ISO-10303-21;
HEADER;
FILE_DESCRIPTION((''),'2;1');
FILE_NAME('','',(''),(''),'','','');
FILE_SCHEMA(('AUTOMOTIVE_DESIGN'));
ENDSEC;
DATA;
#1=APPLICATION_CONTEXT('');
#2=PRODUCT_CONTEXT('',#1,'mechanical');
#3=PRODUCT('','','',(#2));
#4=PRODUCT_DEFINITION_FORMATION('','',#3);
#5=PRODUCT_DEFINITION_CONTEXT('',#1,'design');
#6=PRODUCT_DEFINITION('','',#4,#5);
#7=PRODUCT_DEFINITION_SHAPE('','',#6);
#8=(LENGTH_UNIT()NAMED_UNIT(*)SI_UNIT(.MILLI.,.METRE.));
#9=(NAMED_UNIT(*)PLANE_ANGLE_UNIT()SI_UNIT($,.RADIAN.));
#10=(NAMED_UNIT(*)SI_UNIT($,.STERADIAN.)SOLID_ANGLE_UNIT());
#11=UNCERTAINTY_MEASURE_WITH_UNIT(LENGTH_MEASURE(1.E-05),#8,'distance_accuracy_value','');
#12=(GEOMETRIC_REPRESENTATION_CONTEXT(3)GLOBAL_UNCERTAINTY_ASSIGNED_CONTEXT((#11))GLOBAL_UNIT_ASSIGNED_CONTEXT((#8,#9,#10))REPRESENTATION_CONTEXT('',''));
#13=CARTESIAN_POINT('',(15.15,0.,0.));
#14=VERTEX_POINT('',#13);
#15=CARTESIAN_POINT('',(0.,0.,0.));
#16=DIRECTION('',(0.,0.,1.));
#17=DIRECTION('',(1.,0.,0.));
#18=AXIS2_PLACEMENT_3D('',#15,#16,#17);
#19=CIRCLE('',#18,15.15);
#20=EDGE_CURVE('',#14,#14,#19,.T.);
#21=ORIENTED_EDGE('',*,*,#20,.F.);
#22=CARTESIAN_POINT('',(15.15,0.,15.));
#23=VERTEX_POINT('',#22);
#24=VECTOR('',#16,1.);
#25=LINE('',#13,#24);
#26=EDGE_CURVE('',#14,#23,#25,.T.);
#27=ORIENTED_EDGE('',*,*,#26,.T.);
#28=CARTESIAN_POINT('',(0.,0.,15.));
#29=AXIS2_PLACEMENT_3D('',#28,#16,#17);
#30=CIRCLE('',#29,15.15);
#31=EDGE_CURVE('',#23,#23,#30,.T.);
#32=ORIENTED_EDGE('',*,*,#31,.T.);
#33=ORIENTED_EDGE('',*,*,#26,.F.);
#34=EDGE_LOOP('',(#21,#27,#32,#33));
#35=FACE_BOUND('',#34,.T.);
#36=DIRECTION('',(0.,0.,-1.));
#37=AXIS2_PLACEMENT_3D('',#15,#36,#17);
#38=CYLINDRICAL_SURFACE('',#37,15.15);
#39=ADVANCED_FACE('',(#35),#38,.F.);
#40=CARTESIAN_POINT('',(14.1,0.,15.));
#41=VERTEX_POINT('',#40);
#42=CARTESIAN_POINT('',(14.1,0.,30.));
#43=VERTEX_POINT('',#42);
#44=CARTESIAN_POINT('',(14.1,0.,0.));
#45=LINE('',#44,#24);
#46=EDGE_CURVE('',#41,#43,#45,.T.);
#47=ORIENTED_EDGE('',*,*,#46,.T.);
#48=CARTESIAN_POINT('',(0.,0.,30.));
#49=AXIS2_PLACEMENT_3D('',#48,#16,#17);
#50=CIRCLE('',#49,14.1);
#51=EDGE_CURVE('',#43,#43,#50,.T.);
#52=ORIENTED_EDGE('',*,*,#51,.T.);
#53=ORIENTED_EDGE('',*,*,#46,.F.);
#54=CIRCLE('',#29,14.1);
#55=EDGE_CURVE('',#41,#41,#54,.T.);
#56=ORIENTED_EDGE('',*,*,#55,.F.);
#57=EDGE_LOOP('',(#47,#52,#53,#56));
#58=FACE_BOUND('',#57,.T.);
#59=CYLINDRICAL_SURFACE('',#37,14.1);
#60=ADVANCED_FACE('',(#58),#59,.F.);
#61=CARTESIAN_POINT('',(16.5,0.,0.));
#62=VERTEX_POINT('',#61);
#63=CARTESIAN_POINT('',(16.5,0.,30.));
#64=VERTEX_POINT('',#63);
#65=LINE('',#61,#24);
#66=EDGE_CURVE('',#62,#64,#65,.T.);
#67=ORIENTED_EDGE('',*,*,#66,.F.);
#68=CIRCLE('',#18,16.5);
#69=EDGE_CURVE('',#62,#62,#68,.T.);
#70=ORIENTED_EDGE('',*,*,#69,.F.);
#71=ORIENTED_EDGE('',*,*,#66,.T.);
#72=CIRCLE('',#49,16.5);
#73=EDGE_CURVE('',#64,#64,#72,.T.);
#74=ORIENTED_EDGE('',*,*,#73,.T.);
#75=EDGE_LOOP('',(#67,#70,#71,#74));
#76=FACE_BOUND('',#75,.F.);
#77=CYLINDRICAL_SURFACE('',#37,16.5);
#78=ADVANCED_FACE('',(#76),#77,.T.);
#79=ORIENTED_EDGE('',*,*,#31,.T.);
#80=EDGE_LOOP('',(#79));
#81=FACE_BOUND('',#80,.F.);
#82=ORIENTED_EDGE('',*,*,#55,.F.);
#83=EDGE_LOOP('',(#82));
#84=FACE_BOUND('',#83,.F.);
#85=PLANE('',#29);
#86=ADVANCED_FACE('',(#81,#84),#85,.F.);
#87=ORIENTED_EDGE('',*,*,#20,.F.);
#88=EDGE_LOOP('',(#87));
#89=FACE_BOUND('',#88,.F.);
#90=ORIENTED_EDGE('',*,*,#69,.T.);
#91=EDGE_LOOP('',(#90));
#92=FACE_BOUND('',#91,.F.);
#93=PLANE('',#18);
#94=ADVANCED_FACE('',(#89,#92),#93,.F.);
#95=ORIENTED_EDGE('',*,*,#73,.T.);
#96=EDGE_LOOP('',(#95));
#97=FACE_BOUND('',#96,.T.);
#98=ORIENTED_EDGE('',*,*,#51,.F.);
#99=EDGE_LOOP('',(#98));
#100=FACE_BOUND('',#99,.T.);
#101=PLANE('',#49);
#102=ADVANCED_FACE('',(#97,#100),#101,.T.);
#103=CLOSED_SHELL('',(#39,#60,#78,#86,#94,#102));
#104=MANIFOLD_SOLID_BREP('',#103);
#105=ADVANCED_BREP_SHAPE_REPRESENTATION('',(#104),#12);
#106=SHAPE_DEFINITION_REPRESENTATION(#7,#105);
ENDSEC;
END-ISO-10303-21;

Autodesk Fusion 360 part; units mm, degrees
sketch "Sketch1" plane through (0, 0, 0) normal (0, 0, 1) x (1, 0, 0)
  circle A0 centre (0, 0) radius 14.1
  circle A1 centre (0, 0) radius 16.5
  circle A2 centre (0, 0) radius 15.15
  dimension "d1" = 28.2
  dimension "d2" = 33
  dimension "d3" = 30.3
extrude "Extrude1" add sketch "Sketch1" along normal blind 30 contours A1 | A2
extrude "Extrude2" cut sketch "Sketch1" along normal blind 15 contours A2
